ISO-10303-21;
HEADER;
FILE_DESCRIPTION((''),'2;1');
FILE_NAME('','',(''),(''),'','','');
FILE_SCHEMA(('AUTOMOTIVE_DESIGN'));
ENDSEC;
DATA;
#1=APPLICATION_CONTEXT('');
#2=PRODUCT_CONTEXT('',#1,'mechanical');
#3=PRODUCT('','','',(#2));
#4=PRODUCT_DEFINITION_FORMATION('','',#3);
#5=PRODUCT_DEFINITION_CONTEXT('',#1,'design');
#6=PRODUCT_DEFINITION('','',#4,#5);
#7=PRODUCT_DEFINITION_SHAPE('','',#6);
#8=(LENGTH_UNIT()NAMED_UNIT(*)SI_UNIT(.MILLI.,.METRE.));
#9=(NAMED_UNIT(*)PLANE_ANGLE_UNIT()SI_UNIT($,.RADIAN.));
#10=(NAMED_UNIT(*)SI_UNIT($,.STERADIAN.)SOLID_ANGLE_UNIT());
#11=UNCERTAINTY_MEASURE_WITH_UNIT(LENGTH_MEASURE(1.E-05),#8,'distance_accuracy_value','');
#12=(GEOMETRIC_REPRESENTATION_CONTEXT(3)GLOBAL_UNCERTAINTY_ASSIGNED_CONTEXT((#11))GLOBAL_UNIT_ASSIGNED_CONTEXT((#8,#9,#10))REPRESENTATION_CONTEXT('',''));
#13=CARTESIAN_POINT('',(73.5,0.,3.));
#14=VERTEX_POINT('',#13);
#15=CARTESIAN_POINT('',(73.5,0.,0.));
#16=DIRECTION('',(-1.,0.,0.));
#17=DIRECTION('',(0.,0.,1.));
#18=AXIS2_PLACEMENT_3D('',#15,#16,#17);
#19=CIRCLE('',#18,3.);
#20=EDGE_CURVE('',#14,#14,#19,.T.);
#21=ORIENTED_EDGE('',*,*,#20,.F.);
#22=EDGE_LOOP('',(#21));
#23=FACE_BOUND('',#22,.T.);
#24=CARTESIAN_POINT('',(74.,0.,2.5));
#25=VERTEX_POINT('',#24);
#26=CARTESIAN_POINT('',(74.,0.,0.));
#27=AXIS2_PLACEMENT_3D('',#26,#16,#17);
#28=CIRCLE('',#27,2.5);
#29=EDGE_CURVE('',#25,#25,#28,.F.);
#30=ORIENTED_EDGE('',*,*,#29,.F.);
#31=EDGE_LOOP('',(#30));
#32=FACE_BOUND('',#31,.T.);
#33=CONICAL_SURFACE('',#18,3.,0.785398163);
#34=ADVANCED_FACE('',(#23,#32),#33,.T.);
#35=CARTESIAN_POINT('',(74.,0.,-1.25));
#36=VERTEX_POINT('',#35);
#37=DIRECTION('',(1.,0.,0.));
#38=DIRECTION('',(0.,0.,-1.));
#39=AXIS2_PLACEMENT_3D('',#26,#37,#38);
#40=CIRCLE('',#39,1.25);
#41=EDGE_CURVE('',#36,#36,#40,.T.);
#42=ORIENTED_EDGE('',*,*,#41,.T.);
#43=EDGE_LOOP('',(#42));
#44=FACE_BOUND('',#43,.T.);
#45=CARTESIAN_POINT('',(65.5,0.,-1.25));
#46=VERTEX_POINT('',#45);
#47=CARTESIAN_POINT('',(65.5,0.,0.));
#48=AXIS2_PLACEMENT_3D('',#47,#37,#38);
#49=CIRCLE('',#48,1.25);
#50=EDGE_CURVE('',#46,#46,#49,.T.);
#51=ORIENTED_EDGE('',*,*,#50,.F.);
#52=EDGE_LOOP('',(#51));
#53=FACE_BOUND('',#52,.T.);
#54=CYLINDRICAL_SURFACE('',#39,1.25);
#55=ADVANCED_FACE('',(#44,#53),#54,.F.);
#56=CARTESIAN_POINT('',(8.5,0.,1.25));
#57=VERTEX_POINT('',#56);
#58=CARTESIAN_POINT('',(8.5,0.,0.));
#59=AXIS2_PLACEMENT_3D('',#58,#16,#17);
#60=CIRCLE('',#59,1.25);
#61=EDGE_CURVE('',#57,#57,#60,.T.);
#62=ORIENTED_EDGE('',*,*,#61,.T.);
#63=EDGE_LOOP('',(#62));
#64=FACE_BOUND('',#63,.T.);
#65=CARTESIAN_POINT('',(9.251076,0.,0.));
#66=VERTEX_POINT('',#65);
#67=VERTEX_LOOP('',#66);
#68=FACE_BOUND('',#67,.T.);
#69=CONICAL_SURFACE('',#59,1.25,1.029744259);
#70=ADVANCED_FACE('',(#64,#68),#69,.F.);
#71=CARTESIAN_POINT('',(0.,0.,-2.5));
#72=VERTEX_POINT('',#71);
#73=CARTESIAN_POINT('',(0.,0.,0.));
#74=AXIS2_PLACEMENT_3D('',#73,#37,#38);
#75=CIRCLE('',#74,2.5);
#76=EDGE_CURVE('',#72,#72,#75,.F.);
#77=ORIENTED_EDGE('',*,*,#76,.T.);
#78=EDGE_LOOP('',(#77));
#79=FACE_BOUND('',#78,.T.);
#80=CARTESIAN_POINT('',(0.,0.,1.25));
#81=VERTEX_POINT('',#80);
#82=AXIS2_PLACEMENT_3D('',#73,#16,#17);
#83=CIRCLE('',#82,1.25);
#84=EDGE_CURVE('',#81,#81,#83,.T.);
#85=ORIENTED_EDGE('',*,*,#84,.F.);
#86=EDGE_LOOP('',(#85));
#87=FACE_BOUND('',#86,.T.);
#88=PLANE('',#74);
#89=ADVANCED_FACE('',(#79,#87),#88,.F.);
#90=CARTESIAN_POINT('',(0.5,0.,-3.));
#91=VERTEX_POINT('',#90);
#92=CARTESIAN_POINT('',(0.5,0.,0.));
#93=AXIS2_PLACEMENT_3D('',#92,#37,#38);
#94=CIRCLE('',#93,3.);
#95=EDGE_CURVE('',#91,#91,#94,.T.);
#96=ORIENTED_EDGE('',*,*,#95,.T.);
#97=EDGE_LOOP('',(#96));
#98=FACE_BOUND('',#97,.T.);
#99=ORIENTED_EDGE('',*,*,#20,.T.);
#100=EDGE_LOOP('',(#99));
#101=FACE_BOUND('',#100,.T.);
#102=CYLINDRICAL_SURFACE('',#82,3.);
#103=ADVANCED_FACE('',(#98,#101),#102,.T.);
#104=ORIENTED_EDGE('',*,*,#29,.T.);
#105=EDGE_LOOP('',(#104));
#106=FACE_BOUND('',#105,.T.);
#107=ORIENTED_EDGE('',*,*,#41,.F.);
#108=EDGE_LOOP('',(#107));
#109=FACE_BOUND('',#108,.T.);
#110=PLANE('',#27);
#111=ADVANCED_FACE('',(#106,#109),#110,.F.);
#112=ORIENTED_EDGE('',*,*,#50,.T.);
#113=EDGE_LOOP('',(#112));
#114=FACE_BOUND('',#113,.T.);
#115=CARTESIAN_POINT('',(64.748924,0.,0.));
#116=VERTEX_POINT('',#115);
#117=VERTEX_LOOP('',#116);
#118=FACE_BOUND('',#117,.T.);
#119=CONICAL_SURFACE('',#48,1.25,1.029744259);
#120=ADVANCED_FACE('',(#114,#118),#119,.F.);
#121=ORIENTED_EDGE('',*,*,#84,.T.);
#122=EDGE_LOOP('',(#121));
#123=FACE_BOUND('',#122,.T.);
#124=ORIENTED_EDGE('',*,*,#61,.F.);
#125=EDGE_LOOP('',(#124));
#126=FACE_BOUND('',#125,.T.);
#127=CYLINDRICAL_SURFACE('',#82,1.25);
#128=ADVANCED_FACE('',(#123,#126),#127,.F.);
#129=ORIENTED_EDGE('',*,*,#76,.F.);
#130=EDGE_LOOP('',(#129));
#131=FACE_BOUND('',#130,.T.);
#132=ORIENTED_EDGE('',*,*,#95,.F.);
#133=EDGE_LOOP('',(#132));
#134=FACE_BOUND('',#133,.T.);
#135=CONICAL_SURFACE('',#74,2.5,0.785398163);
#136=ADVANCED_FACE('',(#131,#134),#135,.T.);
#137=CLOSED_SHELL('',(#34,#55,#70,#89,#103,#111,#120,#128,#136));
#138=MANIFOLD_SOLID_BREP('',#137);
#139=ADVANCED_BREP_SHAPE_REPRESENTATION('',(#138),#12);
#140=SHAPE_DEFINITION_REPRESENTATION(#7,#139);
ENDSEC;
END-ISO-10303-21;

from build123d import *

# Parameters (mm, degrees)
SKETCH1_W          = 74
SKETCH1_H          = 3
TAPPED_HOLE1_D     = 2.5
TAPPED_HOLE1_DEPTH = 8.5
TAPPED_HOLE1_TIP   = 0.751075774
TAPPED_HOLE2_D     = 2.5
TAPPED_HOLE2_DEPTH = 8.5
TAPPED_HOLE2_TIP   = 0.751075774
CHAMFER1_SIZE      = 0.5


with BuildPart() as part:
    # Sketch1 → Revolve1 (revolve)
    with BuildSketch(Plane.XY):
        with Locations((37, 1.5)):
            Rectangle(SKETCH1_W, SKETCH1_H)
    revolve(axis=Axis((0, 0, 0), (1, 0, 0)))

    # Tapped Hole1
    with Locations(Plane.ZY):
        with Locations((0, 0)):
            Hole(TAPPED_HOLE1_D / 2, depth=TAPPED_HOLE1_DEPTH)
            with Locations((0, 0, -(TAPPED_HOLE1_DEPTH + TAPPED_HOLE1_TIP / 2))):  # 118° drill point
                Cone(0, TAPPED_HOLE1_D / 2, TAPPED_HOLE1_TIP, mode=Mode.SUBTRACT)

    # Tapped Hole2
    with Locations(Plane(origin=(74, 0, 0), x_dir=(0, 0, -1), z_dir=(1, 0, 0))):
        with Locations((0, 0)):
            Hole(TAPPED_HOLE2_D / 2, depth=TAPPED_HOLE2_DEPTH)
            with Locations((0, 0, -(TAPPED_HOLE2_DEPTH + TAPPED_HOLE2_TIP / 2))):  # 118° drill point
                Cone(0, TAPPED_HOLE2_D / 2, TAPPED_HOLE2_TIP, mode=Mode.SUBTRACT)

    # Chamfer1
    chamfer1_edges = [part.edges().sort_by_distance(p)[0] for p in [
        (0, -3, 0),
        (74, -3, 0),
    ]]
    chamfer(chamfer1_edges, length=CHAMFER1_SIZE)


solid = part.part
